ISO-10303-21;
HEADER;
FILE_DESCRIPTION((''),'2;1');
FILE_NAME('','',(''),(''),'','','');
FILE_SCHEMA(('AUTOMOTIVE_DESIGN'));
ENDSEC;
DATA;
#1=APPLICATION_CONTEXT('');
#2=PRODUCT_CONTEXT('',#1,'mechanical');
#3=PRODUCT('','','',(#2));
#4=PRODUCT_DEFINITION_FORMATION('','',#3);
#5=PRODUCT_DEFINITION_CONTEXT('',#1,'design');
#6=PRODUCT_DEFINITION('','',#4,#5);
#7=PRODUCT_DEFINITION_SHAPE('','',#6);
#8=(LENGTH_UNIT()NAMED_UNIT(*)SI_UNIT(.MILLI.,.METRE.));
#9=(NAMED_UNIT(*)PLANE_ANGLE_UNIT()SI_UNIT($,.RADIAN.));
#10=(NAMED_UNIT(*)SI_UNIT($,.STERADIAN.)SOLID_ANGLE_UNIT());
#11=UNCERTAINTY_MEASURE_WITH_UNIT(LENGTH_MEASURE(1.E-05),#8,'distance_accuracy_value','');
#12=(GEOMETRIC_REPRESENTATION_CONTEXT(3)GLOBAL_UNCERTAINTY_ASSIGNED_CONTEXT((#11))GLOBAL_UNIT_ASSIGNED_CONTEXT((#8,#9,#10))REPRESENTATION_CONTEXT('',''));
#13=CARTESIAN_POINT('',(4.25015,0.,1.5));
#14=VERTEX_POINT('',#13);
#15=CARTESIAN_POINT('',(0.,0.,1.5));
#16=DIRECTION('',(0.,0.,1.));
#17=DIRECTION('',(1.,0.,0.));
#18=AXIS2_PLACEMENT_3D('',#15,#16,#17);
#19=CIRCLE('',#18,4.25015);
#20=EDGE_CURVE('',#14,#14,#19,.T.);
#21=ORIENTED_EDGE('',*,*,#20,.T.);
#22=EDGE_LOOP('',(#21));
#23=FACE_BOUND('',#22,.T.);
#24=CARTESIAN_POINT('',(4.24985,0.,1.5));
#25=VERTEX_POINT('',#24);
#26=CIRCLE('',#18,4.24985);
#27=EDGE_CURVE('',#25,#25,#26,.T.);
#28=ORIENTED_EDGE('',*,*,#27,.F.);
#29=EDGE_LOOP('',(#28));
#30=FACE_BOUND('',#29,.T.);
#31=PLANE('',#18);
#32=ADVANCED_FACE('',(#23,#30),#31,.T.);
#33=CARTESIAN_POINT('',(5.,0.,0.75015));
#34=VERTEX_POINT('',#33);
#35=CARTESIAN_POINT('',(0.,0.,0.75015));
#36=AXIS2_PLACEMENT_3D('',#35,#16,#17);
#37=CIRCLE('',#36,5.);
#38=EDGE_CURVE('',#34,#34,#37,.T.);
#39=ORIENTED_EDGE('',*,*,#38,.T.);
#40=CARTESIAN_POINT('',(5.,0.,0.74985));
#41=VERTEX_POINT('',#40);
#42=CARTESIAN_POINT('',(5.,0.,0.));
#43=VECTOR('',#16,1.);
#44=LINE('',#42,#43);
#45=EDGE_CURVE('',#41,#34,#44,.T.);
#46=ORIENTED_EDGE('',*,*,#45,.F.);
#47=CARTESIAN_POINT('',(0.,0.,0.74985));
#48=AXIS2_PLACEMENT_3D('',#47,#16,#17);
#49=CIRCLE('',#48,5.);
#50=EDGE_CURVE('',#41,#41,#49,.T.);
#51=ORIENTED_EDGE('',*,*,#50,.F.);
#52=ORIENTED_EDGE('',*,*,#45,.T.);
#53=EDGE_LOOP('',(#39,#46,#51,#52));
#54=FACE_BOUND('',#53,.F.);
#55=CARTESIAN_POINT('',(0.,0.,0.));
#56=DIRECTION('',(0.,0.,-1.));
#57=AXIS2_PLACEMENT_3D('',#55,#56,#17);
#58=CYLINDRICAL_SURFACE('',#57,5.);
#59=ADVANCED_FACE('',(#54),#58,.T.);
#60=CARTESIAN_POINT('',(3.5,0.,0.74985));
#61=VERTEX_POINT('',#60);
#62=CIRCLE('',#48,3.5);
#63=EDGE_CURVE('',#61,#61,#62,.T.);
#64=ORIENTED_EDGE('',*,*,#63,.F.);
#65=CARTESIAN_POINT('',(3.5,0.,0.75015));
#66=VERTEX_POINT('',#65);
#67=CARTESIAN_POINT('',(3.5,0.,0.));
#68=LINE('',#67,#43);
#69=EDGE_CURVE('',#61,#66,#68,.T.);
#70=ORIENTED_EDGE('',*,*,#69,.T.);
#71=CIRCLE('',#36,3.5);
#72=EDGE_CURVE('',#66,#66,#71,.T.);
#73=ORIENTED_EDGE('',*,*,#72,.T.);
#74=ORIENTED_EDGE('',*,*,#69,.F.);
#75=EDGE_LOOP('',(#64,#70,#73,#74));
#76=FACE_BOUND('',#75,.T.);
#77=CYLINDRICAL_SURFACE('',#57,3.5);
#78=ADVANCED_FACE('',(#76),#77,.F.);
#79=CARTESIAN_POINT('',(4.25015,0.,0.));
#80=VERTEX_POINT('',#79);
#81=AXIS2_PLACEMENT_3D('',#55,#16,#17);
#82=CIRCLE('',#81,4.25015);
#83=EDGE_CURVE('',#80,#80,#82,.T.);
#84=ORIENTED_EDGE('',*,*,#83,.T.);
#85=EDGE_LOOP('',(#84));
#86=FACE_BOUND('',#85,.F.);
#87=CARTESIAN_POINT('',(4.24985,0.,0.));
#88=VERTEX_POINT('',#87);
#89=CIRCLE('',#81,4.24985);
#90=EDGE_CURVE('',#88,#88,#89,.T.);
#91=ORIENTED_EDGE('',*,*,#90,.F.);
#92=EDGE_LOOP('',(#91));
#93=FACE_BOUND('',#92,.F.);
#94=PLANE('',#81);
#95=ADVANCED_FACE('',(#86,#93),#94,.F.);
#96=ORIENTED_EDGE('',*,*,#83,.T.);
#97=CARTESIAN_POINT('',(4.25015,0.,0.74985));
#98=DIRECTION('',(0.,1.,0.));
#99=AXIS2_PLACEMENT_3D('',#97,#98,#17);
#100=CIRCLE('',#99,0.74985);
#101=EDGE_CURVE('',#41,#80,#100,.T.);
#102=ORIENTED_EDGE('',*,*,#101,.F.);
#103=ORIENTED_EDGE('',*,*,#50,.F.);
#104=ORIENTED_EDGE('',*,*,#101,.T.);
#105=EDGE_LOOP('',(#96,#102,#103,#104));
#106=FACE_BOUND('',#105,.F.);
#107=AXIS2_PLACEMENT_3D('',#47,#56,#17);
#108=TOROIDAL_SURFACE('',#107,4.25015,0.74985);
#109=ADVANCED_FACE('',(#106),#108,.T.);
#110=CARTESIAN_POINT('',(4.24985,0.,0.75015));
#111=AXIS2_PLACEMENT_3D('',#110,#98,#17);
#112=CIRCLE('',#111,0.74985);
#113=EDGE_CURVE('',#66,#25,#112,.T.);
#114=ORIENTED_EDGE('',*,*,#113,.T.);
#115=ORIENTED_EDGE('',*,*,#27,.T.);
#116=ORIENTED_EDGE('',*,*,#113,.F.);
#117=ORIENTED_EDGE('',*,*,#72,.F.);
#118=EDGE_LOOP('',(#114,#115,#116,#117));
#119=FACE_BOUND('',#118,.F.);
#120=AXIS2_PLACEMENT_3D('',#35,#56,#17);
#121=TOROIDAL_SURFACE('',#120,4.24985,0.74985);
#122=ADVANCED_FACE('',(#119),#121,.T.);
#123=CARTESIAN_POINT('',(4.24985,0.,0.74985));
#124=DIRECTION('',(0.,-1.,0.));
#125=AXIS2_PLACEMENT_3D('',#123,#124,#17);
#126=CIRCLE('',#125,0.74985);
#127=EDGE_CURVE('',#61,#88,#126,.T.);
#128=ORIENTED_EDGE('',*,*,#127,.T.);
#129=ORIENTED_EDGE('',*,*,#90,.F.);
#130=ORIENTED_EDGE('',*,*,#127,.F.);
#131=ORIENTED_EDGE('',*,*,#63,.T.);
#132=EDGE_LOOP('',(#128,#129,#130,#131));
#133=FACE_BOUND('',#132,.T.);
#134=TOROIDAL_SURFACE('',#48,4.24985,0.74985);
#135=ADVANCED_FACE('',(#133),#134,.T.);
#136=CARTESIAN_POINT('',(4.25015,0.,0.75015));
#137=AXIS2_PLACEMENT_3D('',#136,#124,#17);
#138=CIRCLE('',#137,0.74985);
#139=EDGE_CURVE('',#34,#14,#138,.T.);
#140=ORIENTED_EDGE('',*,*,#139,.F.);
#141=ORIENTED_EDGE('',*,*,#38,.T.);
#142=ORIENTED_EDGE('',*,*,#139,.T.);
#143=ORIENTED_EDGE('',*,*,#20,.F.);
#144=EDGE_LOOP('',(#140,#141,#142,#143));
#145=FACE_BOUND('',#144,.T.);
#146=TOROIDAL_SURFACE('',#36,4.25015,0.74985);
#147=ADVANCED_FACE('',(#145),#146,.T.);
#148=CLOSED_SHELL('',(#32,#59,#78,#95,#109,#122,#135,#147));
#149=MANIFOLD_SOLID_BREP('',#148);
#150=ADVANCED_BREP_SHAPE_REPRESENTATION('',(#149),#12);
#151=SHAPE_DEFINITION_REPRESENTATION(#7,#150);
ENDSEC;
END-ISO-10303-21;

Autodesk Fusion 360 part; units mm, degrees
sketch "Sketch1" plane through (0, 0, 0) normal (0, 0, 1) x (1, 0, 0)
  circle A0 centre (0, 0) radius 5
  circle A1 centre (0, 0) radius 3.5
  dimension "d1" = 10
  dimension "d2" = 7
extrude "Extrude1" add sketch "Sketch1" along normal blind 1.5
fillet "Fillet1" radius 0.75 4 edges at (-4.6616, -1.8081, 1.5) (-4.6616, -1.8081, 0) (-3.2631, 1.2657, 1.5) (-3.2631, 1.2657, 0)
equation "d1 = outerDiameter"
equation "d2 = innerDiameter"
equation "d3 = height"
equation "d6 = height / 2"
equation "outerDiameter = 10 mm"
equation "innerDiameter = 7 mm"
equation "height = 1.5 mm"
